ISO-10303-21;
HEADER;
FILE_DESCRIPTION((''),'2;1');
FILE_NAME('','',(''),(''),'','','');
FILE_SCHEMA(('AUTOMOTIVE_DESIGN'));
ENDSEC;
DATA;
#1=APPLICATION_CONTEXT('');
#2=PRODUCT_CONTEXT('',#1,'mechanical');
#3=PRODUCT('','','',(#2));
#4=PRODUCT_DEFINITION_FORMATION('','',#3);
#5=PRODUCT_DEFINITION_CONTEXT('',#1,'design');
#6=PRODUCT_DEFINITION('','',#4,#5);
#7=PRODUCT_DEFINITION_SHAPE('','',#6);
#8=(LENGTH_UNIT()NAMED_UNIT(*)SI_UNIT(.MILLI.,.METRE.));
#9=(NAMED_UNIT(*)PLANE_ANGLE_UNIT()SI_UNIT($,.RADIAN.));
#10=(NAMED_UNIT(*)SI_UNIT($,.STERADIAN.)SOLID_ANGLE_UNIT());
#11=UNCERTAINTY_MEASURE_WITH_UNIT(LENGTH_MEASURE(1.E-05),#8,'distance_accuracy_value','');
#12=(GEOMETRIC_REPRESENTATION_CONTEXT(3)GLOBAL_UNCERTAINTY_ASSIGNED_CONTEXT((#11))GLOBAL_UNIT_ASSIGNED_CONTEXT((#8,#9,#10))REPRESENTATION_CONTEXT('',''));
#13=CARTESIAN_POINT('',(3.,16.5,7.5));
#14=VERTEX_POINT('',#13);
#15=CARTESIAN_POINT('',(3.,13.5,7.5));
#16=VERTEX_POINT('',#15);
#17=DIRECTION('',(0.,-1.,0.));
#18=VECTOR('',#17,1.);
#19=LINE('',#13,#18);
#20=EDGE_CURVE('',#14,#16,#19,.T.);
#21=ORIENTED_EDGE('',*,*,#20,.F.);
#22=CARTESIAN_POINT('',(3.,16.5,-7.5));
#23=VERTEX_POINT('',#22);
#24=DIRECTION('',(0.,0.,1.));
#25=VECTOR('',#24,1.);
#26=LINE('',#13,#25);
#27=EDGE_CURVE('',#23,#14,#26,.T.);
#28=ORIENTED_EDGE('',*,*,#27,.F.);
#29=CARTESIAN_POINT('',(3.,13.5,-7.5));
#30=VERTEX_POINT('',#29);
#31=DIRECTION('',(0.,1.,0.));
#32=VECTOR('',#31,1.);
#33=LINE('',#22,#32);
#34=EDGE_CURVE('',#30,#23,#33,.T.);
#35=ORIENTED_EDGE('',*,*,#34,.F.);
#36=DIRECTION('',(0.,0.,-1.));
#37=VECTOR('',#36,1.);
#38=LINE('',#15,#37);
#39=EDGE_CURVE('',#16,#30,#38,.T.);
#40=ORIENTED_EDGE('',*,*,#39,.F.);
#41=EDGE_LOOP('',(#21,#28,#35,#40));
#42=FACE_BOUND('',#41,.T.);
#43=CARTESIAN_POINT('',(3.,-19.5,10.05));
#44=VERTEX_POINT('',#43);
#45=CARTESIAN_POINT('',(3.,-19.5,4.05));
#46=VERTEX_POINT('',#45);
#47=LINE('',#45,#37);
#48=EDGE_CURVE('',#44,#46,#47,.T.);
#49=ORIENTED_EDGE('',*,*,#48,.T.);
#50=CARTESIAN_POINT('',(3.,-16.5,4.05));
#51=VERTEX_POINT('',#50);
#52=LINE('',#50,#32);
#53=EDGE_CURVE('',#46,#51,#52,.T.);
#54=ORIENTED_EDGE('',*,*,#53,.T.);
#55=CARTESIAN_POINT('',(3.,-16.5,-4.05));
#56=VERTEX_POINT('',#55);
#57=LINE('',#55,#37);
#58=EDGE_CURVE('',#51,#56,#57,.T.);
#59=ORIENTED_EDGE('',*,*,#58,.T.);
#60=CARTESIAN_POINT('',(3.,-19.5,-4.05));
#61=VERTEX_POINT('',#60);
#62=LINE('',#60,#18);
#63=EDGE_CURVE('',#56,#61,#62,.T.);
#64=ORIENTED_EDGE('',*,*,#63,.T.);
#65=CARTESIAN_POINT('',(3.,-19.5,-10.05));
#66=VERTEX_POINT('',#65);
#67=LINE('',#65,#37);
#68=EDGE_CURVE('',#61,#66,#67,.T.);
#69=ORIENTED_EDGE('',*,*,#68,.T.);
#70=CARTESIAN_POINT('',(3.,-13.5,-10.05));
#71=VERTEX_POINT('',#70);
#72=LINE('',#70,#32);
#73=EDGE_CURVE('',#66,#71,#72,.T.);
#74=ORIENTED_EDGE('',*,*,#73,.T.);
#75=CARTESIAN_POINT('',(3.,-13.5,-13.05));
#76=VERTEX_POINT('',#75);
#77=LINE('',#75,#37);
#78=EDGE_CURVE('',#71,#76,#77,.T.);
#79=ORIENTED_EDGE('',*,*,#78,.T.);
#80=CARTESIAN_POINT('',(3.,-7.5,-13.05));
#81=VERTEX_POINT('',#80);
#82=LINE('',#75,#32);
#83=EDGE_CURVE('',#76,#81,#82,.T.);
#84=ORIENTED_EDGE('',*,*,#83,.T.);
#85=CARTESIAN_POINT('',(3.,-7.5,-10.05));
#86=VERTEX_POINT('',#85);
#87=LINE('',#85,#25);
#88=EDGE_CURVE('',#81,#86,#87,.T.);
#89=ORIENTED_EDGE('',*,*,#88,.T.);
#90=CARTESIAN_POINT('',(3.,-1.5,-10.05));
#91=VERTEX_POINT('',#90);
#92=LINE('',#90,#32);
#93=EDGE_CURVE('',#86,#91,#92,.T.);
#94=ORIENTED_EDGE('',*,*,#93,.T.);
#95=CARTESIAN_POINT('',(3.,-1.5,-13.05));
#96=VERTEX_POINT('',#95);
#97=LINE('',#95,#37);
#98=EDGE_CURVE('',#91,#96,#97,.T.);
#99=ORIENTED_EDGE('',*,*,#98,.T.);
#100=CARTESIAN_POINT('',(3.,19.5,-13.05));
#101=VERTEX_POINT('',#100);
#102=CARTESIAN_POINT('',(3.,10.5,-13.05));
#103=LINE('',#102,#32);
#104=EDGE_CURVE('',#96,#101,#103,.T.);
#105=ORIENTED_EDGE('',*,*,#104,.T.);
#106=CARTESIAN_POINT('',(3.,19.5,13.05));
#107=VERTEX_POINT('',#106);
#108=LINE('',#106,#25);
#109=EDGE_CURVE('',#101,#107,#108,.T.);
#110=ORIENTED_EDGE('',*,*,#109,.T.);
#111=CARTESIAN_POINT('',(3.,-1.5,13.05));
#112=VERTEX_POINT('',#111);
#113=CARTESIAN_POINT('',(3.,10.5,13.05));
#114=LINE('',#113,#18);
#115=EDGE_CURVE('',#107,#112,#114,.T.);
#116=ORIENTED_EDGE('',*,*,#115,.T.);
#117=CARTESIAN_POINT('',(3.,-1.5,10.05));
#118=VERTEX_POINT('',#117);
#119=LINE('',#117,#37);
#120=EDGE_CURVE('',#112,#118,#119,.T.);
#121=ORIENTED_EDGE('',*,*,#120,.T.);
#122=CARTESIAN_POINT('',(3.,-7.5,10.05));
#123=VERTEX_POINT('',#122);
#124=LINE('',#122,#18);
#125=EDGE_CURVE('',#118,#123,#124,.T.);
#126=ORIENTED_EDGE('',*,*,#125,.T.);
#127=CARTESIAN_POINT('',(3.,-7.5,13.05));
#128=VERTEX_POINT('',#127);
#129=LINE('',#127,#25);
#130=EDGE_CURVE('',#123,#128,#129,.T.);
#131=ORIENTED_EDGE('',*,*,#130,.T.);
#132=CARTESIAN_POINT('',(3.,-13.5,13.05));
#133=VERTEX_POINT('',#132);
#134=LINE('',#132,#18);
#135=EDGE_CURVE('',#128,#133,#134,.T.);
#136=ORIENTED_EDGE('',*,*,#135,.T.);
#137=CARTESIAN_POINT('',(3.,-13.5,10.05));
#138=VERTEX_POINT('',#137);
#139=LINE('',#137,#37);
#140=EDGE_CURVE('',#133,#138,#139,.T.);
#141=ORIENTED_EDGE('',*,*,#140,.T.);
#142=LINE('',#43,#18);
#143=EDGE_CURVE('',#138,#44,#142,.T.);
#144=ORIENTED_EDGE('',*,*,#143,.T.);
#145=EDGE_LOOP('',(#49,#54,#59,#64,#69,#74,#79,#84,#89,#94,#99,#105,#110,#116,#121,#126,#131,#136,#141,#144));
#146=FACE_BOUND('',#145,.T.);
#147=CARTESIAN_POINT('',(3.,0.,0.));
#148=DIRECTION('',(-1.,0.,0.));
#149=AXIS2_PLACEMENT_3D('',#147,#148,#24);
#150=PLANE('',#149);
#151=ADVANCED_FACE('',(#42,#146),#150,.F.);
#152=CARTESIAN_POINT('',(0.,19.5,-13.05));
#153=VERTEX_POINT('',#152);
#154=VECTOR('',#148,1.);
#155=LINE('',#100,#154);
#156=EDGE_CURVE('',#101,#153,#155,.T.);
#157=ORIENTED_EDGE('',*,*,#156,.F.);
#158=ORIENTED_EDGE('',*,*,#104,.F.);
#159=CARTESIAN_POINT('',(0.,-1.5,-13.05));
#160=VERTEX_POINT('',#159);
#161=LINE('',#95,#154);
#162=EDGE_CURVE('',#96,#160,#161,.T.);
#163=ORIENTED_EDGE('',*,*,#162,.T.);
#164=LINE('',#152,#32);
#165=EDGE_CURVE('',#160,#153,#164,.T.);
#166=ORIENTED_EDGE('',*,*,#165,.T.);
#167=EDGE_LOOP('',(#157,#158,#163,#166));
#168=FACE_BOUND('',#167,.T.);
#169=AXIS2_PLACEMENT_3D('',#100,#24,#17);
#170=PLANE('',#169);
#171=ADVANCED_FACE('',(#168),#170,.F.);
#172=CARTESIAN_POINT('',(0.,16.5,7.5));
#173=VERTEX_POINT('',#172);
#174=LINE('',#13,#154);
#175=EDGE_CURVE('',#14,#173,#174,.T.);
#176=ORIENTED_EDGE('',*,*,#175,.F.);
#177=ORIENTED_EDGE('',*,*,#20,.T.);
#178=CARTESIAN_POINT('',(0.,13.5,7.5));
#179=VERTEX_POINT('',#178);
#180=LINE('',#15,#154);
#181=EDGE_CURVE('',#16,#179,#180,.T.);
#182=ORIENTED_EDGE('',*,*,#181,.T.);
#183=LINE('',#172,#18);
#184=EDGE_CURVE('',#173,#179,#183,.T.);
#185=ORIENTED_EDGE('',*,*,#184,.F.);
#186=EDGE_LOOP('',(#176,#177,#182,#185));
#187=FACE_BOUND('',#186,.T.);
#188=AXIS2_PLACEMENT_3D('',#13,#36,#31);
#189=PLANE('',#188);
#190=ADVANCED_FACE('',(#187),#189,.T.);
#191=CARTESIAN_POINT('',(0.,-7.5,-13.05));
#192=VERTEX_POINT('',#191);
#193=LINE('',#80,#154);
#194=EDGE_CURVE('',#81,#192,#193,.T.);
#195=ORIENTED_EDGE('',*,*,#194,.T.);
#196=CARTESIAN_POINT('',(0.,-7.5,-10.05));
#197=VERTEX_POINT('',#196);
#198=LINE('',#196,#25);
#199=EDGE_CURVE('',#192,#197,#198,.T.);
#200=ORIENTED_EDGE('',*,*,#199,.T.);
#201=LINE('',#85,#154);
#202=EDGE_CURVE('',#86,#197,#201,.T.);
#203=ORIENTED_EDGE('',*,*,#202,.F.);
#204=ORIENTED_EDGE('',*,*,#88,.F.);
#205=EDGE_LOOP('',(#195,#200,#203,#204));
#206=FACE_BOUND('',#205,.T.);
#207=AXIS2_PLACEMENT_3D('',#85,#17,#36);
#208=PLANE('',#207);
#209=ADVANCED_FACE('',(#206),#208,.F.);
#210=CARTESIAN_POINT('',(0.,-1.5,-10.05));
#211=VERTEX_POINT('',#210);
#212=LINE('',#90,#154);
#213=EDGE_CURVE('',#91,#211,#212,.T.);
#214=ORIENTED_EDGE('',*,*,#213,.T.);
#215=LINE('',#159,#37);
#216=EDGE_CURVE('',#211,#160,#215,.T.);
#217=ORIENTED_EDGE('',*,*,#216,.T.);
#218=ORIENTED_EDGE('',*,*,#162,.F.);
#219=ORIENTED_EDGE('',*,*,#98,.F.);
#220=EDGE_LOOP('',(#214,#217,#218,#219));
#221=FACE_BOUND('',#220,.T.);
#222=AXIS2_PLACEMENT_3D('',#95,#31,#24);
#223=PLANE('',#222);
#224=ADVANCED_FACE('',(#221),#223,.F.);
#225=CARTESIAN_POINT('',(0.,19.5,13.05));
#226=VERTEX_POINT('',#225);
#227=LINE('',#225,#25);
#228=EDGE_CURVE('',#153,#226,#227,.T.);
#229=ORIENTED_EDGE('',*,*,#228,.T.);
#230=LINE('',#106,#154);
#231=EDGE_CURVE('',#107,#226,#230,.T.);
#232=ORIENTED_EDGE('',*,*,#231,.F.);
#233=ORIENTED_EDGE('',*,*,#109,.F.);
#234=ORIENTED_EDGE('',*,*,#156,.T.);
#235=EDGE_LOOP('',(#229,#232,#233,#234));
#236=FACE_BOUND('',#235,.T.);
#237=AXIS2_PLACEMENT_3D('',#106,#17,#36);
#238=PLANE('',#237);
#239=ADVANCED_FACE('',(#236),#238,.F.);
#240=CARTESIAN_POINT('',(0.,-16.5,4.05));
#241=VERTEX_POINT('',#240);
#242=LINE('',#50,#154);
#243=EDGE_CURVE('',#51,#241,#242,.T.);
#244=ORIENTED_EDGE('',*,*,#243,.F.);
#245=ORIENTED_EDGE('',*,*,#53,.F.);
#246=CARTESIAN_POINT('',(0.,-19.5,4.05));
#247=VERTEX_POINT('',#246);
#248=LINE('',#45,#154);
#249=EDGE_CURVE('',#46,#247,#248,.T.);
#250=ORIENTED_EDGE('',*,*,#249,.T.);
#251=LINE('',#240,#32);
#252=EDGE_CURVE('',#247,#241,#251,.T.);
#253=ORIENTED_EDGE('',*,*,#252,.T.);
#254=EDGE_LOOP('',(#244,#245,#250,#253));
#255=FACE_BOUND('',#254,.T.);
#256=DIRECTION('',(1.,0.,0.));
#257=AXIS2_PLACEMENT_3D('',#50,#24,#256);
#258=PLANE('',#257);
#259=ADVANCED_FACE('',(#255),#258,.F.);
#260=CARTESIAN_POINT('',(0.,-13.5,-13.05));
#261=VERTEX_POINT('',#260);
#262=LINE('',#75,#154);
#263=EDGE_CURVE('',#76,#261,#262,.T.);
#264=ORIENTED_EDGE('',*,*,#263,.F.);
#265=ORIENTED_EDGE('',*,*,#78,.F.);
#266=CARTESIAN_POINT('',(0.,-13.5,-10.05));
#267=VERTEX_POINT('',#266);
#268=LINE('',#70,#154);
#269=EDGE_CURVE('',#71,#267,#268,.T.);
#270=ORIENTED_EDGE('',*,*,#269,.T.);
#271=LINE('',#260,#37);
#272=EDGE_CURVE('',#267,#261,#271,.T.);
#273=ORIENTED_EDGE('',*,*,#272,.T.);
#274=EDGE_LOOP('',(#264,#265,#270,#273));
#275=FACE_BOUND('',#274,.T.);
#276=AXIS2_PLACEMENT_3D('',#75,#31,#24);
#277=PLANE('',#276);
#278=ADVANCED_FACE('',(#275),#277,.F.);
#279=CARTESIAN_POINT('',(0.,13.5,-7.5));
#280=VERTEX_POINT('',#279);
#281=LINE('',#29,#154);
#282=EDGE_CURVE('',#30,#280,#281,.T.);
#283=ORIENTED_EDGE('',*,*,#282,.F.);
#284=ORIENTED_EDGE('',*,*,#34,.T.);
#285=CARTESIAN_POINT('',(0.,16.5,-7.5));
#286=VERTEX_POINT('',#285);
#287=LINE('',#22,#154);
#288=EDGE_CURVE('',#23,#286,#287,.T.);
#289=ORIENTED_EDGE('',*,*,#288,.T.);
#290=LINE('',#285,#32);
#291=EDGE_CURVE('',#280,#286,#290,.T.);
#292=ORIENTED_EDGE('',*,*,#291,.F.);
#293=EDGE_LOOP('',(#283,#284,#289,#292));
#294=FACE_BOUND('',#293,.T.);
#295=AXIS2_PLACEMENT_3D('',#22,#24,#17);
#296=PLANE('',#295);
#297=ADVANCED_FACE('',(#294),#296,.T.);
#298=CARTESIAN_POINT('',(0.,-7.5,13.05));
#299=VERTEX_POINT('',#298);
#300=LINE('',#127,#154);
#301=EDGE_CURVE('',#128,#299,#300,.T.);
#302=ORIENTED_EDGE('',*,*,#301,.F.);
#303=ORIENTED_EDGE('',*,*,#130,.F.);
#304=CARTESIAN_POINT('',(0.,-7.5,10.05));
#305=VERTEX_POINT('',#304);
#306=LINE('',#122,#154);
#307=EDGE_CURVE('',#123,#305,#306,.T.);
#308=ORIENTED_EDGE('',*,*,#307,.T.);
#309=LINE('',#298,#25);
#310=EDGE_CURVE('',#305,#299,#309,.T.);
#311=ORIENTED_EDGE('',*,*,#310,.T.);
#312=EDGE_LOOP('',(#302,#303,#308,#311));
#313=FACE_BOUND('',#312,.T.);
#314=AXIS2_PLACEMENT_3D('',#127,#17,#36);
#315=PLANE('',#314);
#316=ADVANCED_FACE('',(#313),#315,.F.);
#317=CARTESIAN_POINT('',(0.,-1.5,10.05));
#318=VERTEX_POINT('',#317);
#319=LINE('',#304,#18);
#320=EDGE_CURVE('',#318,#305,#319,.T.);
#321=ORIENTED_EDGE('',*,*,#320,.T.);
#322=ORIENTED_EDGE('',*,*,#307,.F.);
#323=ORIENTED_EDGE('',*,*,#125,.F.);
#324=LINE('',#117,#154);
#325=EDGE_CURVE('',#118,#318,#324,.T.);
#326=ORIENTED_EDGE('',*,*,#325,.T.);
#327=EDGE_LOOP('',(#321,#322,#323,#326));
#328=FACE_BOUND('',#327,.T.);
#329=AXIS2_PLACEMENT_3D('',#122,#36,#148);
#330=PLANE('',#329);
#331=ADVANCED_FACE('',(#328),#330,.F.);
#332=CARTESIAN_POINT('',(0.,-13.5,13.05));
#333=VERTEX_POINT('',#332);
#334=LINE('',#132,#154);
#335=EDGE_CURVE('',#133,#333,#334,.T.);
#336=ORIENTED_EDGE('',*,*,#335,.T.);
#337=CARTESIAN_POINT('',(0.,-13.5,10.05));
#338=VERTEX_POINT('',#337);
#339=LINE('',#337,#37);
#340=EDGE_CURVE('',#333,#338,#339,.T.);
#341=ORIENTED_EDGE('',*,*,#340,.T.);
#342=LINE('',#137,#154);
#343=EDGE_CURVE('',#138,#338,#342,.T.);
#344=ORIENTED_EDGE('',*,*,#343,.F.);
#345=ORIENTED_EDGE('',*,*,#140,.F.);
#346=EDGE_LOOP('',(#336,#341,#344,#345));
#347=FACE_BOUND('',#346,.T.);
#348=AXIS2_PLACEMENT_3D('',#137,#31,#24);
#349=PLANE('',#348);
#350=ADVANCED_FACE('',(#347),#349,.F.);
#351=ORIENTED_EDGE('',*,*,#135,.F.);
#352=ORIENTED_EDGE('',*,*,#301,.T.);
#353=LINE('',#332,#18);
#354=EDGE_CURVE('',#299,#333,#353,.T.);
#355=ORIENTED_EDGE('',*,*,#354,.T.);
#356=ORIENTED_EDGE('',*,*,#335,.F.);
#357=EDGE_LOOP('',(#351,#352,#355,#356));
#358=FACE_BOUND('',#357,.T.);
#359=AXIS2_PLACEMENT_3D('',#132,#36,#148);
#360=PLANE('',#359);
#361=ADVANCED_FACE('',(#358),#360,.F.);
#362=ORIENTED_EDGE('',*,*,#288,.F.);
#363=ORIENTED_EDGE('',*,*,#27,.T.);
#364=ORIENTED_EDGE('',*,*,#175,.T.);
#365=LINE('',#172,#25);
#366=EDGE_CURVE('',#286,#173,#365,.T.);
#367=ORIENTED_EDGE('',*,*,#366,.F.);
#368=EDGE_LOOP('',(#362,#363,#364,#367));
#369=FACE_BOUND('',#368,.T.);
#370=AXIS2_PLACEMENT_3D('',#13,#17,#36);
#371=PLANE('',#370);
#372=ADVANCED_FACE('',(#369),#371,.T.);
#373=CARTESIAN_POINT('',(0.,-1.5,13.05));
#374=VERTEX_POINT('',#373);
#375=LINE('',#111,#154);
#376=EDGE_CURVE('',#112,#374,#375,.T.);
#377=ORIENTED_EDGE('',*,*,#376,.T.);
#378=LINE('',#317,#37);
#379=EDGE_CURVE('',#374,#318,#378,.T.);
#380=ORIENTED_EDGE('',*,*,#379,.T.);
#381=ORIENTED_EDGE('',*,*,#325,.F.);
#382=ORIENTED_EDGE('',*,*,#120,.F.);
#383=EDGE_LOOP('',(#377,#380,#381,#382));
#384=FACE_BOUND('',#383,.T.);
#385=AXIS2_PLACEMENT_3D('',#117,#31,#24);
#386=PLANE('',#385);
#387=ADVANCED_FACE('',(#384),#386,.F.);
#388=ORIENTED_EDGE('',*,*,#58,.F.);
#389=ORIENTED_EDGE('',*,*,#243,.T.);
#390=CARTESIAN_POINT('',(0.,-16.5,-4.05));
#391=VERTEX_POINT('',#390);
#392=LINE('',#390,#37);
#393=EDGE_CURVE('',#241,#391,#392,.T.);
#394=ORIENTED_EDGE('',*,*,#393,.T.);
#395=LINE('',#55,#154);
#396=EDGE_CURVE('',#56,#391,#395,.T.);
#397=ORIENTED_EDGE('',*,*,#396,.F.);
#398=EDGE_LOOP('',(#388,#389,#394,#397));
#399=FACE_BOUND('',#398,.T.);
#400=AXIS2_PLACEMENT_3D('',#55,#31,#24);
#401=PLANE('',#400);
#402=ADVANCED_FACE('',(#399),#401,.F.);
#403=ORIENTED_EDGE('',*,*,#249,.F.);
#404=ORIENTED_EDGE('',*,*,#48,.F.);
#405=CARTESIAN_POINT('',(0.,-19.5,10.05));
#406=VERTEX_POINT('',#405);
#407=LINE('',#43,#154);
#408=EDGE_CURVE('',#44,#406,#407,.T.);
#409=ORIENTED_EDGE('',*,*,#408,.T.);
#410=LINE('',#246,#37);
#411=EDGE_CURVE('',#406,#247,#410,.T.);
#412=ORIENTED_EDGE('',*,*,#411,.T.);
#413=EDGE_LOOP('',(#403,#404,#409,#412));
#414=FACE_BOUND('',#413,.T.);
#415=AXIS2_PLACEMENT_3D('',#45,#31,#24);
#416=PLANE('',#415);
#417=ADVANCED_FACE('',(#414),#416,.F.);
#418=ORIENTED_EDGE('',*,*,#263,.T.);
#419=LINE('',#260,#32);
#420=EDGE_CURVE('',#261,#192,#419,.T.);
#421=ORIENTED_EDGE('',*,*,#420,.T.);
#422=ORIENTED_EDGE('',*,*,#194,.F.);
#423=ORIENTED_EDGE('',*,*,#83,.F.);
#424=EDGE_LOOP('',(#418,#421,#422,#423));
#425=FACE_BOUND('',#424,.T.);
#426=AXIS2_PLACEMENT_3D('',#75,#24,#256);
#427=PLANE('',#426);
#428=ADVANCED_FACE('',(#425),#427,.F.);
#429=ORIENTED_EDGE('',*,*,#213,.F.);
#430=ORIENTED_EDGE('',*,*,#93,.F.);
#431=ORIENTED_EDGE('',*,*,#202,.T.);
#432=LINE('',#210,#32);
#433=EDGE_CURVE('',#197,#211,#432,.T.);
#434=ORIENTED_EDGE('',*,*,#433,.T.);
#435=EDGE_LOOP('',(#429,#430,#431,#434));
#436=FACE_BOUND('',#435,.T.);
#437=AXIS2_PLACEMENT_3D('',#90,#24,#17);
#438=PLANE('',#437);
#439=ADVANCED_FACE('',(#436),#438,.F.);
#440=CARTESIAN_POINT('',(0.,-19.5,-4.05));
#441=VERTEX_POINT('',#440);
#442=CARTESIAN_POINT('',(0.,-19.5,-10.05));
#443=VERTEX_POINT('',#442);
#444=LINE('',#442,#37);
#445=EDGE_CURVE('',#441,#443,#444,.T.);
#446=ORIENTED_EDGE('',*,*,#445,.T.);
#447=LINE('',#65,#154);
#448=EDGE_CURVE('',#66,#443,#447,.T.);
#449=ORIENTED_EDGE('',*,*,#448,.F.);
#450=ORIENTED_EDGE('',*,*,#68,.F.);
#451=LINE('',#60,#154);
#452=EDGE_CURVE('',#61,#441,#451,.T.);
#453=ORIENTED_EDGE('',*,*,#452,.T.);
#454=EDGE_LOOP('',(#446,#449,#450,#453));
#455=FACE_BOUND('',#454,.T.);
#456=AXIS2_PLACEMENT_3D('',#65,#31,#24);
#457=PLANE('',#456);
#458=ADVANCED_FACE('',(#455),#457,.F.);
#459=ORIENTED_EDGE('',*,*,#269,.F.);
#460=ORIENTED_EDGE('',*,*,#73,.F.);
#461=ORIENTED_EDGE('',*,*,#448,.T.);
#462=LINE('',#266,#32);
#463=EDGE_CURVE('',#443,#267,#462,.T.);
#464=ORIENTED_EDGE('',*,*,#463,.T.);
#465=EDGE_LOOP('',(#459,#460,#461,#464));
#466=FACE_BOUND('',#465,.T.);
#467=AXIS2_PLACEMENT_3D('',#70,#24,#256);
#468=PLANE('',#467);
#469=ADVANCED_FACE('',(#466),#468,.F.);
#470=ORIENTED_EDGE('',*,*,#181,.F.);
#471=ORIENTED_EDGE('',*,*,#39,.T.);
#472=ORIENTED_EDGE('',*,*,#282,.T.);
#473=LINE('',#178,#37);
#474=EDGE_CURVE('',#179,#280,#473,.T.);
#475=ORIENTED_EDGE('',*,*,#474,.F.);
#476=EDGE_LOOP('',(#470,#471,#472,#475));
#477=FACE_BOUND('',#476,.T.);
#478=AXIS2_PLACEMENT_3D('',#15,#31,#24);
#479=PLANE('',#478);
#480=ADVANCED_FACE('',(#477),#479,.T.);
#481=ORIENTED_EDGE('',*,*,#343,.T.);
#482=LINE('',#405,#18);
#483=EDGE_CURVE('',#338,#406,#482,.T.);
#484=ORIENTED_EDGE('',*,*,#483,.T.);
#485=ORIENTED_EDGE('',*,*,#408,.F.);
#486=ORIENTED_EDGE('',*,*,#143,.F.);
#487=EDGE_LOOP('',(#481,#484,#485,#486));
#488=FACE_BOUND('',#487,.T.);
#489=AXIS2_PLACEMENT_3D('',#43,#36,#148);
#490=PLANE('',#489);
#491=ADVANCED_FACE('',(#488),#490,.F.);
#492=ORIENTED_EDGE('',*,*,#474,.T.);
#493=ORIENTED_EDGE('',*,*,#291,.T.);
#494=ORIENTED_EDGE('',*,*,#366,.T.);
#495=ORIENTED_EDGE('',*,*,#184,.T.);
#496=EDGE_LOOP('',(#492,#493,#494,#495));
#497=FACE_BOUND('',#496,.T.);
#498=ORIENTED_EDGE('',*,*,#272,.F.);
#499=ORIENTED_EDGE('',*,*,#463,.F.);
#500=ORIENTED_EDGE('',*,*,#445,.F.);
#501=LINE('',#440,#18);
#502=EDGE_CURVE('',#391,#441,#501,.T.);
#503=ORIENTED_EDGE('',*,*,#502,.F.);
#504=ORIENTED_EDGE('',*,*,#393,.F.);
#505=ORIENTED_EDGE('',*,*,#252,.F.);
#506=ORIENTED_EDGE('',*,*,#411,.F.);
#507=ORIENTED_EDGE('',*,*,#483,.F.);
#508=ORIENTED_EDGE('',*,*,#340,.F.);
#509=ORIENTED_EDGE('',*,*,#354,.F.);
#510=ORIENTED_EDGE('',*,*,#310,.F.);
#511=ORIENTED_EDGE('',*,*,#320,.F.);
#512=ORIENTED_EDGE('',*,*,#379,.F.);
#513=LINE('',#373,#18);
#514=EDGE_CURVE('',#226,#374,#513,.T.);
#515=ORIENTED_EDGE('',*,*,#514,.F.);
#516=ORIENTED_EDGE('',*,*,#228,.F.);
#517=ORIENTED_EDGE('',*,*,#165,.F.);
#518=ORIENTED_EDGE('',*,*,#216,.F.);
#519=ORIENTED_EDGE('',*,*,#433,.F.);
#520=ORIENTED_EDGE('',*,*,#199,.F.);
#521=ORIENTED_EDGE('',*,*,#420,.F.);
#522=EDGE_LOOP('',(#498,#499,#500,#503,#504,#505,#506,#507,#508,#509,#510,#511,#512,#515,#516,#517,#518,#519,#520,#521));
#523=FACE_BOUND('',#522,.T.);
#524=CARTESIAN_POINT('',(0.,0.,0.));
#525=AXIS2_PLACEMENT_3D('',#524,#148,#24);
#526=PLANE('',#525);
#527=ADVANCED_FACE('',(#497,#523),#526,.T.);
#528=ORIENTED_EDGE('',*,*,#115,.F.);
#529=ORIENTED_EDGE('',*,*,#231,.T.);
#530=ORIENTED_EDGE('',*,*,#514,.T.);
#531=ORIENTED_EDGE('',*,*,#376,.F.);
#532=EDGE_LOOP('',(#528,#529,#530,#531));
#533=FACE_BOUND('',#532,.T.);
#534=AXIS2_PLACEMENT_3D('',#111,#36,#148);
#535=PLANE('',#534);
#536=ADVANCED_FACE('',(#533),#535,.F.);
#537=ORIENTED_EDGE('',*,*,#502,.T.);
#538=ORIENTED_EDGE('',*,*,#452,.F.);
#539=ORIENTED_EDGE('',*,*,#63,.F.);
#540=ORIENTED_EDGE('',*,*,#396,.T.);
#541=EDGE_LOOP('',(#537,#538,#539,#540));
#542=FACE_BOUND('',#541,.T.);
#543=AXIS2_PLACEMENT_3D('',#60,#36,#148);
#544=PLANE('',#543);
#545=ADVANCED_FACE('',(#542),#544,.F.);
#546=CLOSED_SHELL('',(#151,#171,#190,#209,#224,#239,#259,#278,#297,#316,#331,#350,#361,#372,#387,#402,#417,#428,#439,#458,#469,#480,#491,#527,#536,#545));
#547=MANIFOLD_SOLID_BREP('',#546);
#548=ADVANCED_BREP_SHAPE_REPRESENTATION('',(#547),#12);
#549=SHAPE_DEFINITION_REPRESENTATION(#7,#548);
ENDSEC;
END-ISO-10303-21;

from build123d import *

# Parameters (mm, degrees)
PAREDEESBOCO_W = 15
PAREDEESBOCO_H = 3
PAREDE_DEPTH   = 3


with BuildPart() as part:
    # ParedeEsboco → Parede (new body)
    with BuildSketch(Plane(origin=(0, 0, 0), x_dir=(0, 0, -1), z_dir=(1, 0, 0))):
        Polygon((13.05, -13.5), (10.05, -13.5), (10.05, -19.5), (4.05, -19.5), (4.05, -16.5), (-4.05, -16.5), (-4.05, -19.5), (-10.05, -19.5), (-10.05, -13.5), (-13.05, -13.5), (-13.05, -7.5), (-10.05, -7.5), (-10.05, -1.5), (-13.05, -1.5), (-13.05, 10.5), (-13.05, 19.5), (13.05, 19.5), (13.05, 10.5), (13.05, -1.5), (10.05, -1.5), (10.05, -7.5), (13.05, -7.5), align=None)
        with Locations((0, 15)):
            Rectangle(PAREDEESBOCO_W, PAREDEESBOCO_H, mode=Mode.SUBTRACT)
    extrude(amount=PAREDE_DEPTH)


solid = part.part
